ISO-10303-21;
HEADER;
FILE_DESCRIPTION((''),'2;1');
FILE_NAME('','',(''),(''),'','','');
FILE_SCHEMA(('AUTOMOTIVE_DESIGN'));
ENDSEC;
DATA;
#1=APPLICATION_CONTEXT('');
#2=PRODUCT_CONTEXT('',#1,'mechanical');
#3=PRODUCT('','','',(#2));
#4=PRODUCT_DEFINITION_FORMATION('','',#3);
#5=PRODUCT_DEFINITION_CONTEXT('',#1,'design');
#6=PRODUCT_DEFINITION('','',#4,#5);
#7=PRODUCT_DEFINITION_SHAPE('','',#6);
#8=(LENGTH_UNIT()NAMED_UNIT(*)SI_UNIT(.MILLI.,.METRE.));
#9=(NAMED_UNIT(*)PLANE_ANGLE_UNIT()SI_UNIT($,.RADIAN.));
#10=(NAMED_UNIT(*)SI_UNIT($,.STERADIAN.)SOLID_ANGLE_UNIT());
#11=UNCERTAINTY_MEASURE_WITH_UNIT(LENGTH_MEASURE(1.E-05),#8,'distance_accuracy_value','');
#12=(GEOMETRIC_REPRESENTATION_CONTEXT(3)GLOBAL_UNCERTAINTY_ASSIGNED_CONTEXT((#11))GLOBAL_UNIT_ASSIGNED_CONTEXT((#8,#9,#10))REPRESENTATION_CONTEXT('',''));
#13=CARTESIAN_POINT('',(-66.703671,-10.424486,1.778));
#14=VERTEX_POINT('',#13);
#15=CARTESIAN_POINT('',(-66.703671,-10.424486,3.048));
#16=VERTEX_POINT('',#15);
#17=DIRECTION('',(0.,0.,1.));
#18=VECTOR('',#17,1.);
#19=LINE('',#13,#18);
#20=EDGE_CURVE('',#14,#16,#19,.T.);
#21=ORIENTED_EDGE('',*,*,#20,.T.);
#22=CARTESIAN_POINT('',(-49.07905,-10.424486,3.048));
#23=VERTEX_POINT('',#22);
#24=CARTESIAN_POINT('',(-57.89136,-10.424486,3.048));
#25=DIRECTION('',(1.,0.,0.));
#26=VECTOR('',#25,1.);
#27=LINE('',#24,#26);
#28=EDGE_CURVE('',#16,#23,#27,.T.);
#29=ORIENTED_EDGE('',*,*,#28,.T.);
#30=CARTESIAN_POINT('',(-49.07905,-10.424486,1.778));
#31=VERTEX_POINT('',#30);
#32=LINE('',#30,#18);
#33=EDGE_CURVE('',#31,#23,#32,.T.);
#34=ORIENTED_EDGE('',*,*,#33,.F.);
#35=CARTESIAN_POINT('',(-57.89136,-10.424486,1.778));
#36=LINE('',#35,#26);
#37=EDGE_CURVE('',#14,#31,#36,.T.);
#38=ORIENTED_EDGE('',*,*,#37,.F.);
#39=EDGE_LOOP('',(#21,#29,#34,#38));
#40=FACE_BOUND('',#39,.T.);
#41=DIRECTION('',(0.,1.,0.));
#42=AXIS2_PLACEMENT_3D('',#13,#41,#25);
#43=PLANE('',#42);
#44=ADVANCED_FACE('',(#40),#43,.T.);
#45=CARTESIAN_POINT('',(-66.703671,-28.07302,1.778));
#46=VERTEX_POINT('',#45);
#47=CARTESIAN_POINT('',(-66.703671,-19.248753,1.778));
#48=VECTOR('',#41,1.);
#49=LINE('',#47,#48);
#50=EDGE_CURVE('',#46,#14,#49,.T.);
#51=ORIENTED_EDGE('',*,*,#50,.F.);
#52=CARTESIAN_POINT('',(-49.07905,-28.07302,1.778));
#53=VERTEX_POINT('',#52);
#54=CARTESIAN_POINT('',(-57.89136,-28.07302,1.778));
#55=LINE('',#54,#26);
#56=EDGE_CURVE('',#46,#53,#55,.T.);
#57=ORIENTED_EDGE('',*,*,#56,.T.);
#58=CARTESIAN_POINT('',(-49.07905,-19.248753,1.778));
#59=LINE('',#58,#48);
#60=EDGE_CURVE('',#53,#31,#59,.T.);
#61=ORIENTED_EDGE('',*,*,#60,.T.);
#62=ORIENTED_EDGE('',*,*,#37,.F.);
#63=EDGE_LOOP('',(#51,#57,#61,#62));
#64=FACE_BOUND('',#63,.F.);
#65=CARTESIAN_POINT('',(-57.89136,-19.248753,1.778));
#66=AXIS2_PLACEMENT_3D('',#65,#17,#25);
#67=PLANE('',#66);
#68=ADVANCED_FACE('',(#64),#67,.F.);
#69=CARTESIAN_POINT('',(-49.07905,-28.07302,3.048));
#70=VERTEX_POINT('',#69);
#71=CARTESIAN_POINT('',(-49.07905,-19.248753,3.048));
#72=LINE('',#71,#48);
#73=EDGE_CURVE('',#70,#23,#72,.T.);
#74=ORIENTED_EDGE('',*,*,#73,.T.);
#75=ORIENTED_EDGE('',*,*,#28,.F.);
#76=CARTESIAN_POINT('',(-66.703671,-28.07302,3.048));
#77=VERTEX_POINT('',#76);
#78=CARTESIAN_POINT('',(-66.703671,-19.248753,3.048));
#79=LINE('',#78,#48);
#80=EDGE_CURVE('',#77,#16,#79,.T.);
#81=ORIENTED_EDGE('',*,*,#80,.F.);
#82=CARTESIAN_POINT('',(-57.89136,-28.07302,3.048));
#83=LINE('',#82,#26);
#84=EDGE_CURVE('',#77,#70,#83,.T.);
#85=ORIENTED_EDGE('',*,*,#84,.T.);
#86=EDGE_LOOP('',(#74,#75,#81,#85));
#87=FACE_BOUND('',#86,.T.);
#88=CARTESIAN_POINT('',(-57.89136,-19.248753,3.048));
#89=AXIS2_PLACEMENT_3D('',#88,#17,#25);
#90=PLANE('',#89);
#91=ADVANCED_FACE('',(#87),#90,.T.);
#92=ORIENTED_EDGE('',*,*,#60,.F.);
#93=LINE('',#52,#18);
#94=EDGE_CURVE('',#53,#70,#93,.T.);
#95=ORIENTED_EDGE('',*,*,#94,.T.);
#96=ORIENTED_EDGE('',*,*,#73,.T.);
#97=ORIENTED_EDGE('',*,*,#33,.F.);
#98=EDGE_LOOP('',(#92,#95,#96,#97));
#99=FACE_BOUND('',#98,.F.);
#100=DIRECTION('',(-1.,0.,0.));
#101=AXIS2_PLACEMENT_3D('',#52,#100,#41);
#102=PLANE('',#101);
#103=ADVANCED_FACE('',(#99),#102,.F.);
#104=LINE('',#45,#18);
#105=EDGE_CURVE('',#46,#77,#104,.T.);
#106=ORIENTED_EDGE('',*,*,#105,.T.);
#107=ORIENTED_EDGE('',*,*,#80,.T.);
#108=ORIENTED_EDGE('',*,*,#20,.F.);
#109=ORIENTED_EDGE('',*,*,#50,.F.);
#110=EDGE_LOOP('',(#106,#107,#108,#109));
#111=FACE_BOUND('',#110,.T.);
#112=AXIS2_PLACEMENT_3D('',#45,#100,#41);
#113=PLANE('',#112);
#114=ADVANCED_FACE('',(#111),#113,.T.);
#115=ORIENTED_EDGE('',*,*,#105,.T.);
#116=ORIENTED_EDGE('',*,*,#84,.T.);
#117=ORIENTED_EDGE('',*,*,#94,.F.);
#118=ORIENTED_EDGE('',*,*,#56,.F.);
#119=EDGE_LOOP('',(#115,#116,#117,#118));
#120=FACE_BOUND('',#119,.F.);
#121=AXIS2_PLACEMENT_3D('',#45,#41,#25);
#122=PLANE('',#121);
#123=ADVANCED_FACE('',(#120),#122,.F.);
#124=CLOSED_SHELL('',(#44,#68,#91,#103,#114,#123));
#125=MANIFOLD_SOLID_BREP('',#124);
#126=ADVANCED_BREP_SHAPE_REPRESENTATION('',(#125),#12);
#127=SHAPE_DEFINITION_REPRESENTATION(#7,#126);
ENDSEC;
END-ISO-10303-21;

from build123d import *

# Parameters (mm, degrees)
F0_W     = 76.029807
F0_H     = 76.111034
F1_DEPTH = 1.778
F2_W     = 17.624621
F2_H     = 17.648534
F3_DEPTH = 1.27


with BuildPart() as f1:
    # F0 (on Top) → F1 (new body)
    with BuildSketch(Plane.XY):
        with Locations((-38.014903, 38.055517)):
            Rectangle(F0_W, F0_H)
    extrude(amount=F1_DEPTH)


with BuildPart() as f3:
    # F2 (on face) → F3 (new body)
    with BuildSketch(Plane.XY.offset(1.778)):
        with Locations((-57.89136, -19.248753)):
            Rectangle(F2_W, F2_H)
    extrude(amount=F3_DEPTH)


solid = f3.part
